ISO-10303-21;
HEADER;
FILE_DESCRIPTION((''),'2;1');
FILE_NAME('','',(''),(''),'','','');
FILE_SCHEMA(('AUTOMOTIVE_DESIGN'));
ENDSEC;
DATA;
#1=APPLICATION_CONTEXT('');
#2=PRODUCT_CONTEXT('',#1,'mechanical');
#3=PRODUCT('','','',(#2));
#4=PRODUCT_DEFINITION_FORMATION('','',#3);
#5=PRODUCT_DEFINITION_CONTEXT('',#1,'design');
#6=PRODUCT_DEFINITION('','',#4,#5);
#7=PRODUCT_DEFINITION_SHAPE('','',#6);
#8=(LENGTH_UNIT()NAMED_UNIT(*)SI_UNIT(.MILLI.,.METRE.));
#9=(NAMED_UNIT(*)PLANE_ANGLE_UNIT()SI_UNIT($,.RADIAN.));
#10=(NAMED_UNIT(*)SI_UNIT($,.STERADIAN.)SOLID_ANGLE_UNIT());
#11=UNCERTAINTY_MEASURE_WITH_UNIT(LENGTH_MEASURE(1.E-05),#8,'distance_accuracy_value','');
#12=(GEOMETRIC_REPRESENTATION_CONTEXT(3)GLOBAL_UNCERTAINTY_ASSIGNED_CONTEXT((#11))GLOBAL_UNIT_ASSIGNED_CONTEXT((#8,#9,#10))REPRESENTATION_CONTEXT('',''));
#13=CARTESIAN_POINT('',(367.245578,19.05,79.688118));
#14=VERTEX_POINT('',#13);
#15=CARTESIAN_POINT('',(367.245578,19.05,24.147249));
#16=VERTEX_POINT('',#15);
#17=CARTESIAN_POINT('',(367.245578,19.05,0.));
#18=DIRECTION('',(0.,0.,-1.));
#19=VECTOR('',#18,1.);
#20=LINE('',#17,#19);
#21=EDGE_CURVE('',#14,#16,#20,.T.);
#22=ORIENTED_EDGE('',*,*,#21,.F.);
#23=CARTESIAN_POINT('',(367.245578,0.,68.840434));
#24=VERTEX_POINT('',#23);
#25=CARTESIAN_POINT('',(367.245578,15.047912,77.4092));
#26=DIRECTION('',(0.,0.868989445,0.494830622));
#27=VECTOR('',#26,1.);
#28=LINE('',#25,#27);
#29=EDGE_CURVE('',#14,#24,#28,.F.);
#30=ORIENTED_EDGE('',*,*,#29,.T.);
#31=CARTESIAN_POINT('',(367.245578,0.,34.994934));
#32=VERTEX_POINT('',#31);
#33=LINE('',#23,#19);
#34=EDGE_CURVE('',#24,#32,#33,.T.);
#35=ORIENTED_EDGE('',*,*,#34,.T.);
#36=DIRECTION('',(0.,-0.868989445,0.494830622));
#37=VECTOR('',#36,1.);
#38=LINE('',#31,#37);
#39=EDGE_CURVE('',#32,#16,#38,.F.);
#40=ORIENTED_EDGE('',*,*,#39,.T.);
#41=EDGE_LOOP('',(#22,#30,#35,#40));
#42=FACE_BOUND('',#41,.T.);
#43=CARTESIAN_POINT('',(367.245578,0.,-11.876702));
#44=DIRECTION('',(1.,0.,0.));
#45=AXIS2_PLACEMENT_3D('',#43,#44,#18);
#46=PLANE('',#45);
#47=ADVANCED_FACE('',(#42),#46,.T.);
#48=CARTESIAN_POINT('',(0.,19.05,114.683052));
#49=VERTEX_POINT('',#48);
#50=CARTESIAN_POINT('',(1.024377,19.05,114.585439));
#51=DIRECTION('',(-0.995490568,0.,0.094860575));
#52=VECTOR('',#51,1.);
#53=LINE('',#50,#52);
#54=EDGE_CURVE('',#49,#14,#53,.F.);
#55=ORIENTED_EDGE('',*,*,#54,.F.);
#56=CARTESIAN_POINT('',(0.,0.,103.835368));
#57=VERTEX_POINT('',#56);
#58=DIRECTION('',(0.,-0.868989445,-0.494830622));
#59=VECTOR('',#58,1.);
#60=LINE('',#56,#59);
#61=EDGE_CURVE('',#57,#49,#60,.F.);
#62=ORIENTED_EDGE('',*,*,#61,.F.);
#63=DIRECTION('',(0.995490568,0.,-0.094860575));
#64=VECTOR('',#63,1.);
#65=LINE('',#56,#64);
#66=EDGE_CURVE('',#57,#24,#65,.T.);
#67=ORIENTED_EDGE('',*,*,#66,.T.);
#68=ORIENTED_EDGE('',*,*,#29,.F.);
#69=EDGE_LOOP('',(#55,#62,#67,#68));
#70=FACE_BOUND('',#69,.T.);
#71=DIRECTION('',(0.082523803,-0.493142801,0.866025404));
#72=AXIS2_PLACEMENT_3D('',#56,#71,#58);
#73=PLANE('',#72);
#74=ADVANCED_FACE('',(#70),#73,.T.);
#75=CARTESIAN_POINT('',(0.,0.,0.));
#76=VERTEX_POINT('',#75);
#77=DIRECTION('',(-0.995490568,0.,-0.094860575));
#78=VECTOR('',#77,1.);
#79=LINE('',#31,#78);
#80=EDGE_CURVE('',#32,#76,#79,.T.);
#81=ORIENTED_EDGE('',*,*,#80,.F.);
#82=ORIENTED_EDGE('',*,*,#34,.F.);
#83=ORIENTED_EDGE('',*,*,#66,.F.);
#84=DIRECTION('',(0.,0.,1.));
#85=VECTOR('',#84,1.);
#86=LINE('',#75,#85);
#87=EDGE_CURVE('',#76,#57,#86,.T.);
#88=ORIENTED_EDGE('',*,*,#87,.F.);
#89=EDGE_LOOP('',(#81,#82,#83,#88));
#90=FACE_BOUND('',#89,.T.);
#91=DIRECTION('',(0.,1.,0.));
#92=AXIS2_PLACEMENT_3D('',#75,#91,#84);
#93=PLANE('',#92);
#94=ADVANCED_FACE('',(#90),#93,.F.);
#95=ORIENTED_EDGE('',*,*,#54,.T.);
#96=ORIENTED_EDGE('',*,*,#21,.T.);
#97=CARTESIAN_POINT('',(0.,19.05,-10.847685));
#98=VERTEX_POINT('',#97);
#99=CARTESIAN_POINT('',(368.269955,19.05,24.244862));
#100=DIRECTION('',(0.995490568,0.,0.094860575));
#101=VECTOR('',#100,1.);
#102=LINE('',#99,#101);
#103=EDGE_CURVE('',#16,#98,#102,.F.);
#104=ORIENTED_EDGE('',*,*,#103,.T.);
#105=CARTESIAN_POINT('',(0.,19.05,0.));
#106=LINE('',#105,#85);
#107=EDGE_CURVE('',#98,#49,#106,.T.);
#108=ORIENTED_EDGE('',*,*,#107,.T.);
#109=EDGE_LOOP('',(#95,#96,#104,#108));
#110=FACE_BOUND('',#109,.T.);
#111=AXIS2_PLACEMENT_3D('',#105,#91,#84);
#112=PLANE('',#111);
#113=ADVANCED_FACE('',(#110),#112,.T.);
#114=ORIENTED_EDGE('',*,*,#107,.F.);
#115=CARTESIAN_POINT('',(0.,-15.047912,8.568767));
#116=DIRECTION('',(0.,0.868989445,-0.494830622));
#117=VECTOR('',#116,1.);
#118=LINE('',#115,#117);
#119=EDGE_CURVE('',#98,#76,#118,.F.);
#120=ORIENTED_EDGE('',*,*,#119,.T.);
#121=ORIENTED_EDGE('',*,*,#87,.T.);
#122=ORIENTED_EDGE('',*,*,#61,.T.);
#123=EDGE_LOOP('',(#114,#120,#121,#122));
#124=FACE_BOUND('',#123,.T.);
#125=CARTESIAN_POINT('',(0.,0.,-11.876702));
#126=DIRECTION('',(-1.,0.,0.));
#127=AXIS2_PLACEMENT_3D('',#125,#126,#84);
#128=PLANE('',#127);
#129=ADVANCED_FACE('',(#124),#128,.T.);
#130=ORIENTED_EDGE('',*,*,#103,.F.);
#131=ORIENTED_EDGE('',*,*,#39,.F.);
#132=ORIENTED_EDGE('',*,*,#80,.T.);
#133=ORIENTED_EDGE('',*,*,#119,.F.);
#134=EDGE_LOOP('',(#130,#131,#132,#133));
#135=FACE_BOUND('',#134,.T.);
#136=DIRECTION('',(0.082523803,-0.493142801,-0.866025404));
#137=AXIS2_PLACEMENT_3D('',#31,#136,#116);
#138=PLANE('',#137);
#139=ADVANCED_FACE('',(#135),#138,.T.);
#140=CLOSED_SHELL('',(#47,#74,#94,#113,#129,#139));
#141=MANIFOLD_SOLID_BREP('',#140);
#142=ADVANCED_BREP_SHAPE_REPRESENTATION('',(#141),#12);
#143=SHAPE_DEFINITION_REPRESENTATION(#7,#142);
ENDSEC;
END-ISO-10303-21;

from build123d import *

# Parameters (mm, degrees)
BOSS_EXTRUDE1_DEPTH     = 19.05
BOSS_EXTRUDE1_DRAFT     = -29.54735891
CUT_EXTRUDE1_DEPTH      = 396.815250474
CUT_EXTRUDE1_DEPTH_BACK = 396.815250474
SKETCH2_OUTSIDE_W       = 472.779
SKETCH2_OUTSIDE_H       = 102.986
SKETCH2_OUTSIDE_W_2     = 367.245577586
SKETCH2_OUTSIDE_H_2     = 100.341978652


with BuildPart() as part:
    # Sketch1 → Boss-Extrude1 (with draft: the straight prism first)
    with BuildSketch(Plane(origin=(0, 0, 0), x_dir=(1, 0, 0), z_dir=(0, 1, 0))):
        Polygon((0, 0), (0, -103.835367594), (367.245577586, -68.840433797), (367.245577586, -34.994933797), align=None)
    extrude(amount=BOSS_EXTRUDE1_DEPTH)
    # Boss-Extrude1: the draft: its side faces are tilted about the plane it starts from
    boss_extrude1_sides = [part.faces().sort_by_distance(p)[0] for p in [
        (0, 9.525, 51.917683797),
        (183.622788793, 9.525, 86.337900695),
        (367.245577586, 9.525, 51.917683797),
        (183.622788793, 9.525, 17.497466898),
    ]]
    draft(boss_extrude1_sides, Plane(origin=(0, 0, 0), x_dir=(1, 0, 0), z_dir=(0, 1, 0)), BOSS_EXTRUDE1_DRAFT)

    # Sketch2 outside → Cut-Extrude1 (cut, two sides: drawn at the far end of the back side and taken through both)
    with BuildSketch(Plane.XY.offset(-CUT_EXTRUDE1_DEPTH_BACK)):
        with Locations((183.6225, 9.525)):
            Rectangle(SKETCH2_OUTSIDE_W, SKETCH2_OUTSIDE_H)
        with Locations((183.622788793, 50.170989326)):
            Rectangle(SKETCH2_OUTSIDE_W_2, SKETCH2_OUTSIDE_H_2, mode=Mode.SUBTRACT)
    extrude(amount=CUT_EXTRUDE1_DEPTH + CUT_EXTRUDE1_DEPTH_BACK, mode=Mode.SUBTRACT)


solid = part.part
